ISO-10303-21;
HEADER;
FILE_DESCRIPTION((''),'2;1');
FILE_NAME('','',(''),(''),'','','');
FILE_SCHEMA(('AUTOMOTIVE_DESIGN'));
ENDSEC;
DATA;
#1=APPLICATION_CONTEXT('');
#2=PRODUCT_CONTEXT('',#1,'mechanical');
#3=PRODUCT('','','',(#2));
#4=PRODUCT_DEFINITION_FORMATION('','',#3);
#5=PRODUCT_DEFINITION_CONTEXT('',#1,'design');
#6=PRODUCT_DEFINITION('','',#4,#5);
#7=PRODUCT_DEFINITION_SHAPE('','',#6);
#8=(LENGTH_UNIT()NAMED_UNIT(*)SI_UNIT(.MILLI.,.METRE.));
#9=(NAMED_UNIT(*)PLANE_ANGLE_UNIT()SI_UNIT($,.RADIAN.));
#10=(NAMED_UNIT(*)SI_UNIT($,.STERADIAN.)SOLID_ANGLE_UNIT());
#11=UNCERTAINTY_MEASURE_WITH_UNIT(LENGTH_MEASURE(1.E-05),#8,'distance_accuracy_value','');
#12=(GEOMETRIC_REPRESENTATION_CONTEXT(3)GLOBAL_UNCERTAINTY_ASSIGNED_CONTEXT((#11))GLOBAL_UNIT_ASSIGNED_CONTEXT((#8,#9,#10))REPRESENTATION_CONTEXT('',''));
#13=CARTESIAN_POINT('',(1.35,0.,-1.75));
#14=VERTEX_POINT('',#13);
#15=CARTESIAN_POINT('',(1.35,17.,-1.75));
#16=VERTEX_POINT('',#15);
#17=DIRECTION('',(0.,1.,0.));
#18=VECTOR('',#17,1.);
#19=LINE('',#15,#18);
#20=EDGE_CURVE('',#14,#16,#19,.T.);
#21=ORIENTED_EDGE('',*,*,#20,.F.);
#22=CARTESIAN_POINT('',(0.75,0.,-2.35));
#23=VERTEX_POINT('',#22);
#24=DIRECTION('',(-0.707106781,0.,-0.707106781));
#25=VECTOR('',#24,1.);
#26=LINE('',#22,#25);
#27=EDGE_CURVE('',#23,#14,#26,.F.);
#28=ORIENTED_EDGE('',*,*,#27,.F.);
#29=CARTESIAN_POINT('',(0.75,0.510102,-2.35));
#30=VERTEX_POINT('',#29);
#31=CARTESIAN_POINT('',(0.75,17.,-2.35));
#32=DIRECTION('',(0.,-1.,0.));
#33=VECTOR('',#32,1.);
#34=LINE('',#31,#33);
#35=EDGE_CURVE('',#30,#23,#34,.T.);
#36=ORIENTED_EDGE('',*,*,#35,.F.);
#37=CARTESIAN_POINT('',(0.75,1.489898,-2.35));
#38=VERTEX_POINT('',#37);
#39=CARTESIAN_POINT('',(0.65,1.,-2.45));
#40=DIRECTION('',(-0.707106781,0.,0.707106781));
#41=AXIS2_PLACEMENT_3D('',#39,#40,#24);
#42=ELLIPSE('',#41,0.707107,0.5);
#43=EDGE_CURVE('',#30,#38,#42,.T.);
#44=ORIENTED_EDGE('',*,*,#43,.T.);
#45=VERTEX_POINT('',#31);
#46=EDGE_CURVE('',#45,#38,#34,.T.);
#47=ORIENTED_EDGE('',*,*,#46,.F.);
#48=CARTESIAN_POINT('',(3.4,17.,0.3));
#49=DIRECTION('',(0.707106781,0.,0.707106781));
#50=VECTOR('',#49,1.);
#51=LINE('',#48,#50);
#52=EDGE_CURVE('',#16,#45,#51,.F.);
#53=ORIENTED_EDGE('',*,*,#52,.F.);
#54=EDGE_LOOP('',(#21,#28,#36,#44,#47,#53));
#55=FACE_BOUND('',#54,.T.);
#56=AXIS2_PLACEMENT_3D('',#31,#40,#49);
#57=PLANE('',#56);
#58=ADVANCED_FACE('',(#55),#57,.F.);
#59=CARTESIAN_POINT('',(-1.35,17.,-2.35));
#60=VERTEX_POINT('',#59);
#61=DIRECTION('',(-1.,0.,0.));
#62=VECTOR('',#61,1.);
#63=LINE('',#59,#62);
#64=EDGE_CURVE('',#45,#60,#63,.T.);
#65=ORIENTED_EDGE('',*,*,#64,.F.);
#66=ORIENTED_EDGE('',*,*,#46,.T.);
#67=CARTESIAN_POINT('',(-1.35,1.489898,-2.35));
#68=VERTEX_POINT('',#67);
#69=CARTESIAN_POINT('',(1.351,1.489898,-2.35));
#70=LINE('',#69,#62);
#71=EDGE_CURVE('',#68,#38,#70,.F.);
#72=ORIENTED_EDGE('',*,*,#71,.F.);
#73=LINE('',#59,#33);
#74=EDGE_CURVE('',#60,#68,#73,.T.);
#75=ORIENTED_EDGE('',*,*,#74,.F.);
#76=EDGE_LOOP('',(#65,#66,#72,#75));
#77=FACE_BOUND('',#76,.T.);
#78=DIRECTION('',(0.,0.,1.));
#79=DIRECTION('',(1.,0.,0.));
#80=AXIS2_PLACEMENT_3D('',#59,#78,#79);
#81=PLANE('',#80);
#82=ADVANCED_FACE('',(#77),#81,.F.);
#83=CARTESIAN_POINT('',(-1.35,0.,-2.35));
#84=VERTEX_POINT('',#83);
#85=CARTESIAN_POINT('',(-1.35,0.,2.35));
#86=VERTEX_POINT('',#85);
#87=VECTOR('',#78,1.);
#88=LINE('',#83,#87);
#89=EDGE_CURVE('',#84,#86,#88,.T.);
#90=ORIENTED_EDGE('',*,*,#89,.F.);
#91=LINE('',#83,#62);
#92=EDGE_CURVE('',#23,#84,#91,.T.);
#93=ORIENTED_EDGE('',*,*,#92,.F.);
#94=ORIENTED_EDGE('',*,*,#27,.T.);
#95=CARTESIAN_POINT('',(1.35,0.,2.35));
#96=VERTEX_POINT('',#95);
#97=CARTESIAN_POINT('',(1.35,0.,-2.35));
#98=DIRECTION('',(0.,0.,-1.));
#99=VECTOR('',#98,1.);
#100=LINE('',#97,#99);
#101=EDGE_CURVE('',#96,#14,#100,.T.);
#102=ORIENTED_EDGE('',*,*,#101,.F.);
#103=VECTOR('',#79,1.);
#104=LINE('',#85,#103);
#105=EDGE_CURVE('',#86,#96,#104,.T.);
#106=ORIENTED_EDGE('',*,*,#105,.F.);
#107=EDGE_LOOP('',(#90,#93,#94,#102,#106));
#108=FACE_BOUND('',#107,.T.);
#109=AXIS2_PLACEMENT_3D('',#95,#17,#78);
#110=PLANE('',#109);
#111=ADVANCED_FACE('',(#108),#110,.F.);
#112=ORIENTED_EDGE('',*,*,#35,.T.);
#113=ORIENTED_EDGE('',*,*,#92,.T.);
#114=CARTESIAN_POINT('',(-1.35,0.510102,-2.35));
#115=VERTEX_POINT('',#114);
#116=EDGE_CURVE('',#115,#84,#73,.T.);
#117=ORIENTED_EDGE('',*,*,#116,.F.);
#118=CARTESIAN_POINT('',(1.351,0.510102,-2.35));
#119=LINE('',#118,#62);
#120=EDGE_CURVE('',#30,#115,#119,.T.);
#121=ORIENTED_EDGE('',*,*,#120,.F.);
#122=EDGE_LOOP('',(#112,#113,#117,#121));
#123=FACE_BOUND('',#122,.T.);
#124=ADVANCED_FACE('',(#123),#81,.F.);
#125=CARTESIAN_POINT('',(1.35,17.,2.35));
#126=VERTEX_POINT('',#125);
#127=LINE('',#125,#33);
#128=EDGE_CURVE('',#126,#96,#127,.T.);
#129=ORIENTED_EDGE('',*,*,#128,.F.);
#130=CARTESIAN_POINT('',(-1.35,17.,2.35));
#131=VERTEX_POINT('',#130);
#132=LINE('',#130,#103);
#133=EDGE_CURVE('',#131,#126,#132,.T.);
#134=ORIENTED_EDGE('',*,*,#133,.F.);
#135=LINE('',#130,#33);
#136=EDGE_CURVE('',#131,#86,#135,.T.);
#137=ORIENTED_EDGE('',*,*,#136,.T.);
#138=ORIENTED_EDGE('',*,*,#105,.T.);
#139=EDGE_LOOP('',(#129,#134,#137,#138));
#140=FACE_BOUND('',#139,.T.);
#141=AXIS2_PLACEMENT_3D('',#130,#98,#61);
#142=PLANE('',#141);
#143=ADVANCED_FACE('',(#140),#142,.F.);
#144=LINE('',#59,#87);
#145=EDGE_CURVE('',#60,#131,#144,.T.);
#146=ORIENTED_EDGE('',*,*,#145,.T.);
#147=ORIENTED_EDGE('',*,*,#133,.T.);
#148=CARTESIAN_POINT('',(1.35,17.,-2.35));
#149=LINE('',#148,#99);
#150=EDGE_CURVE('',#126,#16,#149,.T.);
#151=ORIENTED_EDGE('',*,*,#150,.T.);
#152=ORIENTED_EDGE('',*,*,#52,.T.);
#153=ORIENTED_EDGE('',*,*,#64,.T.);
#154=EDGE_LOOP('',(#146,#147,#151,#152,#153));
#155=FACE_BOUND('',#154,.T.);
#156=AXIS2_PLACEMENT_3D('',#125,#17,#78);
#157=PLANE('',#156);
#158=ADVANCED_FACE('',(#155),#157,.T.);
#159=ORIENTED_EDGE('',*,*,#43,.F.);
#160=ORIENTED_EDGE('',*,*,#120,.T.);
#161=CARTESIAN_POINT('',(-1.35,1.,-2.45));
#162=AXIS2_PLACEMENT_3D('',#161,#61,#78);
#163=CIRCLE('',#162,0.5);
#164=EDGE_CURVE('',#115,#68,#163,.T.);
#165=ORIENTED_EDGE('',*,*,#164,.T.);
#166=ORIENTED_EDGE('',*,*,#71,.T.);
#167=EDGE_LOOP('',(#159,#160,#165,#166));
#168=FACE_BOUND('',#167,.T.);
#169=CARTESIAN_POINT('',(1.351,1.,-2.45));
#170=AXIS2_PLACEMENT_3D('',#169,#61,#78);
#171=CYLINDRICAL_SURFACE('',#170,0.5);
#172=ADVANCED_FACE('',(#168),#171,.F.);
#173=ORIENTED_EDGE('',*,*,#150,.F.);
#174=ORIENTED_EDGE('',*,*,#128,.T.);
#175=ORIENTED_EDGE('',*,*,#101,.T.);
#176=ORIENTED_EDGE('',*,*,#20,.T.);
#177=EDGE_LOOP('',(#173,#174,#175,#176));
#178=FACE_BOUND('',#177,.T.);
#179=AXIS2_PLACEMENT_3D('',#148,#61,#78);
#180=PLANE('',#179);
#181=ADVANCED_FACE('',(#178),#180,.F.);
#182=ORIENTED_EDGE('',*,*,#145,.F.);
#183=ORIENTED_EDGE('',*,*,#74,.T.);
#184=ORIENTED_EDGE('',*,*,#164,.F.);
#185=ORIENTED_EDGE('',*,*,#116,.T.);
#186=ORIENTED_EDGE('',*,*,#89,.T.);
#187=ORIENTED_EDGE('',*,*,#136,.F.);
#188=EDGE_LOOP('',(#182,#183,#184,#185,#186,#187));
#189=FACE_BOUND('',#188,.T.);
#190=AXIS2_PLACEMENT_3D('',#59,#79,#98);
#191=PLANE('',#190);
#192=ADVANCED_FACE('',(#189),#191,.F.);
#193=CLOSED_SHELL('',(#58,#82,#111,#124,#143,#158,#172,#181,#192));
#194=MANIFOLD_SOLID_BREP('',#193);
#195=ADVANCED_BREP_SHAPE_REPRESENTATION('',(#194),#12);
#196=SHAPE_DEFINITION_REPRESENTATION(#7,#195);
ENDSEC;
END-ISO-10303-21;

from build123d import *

# Parameters (mm, degrees)
SKETCH_1_W          = 2.7
SKETCH_1_H          = 4.7
EXTRUDE_1_DEPTH     = 17
CHAMFER_1_SIZE      = 0.6
CUT_EXTRUDE_2_REACH = 19.373
SKETCH_3_R          = 0.5


with BuildPart() as part:
    # 草圖1 → 伸長1 (new body)
    with BuildSketch(Plane(origin=(0, 0, 0), x_dir=(1, 0, 0), z_dir=(0, 1, 0))):
        Rectangle(SKETCH_1_W, SKETCH_1_H)
    extrude(amount=EXTRUDE_1_DEPTH)

    # 導角1
    chamfer_1_edges = [part.edges().sort_by_distance(p)[0] for p in [
        (1.35, 8.5, -2.35),
    ]]
    chamfer(chamfer_1_edges, length=CHAMFER_1_SIZE)

    # 伸長2: up to this plane
    cut_extrude_2_end = Plane(origin=(0.75, 17, -2.35), z_dir=(-0.7071067811865486, 0, 0.7071067811865466))
    # 草圖3 → 伸長2 (cut, up to the surface)
    with BuildSketch(Plane.ZY.offset(1.35), mode=Mode.PRIVATE) as cut_extrude_2_sk1:
        with Locations((-2.45, 1)):
            Circle(SKETCH_3_R)
    cut_extrude_2_tool1 = split(extrude(cut_extrude_2_sk1.sketch, amount=-CUT_EXTRUDE_2_REACH, mode=Mode.PRIVATE), bisect_by=cut_extrude_2_end, keep=Keep.BOTH, mode=Mode.PRIVATE)
    add(cut_extrude_2_tool1.solids().sort_by_distance((-1.35, 1, -2.45))[0], mode=Mode.SUBTRACT)


solid = part.part
